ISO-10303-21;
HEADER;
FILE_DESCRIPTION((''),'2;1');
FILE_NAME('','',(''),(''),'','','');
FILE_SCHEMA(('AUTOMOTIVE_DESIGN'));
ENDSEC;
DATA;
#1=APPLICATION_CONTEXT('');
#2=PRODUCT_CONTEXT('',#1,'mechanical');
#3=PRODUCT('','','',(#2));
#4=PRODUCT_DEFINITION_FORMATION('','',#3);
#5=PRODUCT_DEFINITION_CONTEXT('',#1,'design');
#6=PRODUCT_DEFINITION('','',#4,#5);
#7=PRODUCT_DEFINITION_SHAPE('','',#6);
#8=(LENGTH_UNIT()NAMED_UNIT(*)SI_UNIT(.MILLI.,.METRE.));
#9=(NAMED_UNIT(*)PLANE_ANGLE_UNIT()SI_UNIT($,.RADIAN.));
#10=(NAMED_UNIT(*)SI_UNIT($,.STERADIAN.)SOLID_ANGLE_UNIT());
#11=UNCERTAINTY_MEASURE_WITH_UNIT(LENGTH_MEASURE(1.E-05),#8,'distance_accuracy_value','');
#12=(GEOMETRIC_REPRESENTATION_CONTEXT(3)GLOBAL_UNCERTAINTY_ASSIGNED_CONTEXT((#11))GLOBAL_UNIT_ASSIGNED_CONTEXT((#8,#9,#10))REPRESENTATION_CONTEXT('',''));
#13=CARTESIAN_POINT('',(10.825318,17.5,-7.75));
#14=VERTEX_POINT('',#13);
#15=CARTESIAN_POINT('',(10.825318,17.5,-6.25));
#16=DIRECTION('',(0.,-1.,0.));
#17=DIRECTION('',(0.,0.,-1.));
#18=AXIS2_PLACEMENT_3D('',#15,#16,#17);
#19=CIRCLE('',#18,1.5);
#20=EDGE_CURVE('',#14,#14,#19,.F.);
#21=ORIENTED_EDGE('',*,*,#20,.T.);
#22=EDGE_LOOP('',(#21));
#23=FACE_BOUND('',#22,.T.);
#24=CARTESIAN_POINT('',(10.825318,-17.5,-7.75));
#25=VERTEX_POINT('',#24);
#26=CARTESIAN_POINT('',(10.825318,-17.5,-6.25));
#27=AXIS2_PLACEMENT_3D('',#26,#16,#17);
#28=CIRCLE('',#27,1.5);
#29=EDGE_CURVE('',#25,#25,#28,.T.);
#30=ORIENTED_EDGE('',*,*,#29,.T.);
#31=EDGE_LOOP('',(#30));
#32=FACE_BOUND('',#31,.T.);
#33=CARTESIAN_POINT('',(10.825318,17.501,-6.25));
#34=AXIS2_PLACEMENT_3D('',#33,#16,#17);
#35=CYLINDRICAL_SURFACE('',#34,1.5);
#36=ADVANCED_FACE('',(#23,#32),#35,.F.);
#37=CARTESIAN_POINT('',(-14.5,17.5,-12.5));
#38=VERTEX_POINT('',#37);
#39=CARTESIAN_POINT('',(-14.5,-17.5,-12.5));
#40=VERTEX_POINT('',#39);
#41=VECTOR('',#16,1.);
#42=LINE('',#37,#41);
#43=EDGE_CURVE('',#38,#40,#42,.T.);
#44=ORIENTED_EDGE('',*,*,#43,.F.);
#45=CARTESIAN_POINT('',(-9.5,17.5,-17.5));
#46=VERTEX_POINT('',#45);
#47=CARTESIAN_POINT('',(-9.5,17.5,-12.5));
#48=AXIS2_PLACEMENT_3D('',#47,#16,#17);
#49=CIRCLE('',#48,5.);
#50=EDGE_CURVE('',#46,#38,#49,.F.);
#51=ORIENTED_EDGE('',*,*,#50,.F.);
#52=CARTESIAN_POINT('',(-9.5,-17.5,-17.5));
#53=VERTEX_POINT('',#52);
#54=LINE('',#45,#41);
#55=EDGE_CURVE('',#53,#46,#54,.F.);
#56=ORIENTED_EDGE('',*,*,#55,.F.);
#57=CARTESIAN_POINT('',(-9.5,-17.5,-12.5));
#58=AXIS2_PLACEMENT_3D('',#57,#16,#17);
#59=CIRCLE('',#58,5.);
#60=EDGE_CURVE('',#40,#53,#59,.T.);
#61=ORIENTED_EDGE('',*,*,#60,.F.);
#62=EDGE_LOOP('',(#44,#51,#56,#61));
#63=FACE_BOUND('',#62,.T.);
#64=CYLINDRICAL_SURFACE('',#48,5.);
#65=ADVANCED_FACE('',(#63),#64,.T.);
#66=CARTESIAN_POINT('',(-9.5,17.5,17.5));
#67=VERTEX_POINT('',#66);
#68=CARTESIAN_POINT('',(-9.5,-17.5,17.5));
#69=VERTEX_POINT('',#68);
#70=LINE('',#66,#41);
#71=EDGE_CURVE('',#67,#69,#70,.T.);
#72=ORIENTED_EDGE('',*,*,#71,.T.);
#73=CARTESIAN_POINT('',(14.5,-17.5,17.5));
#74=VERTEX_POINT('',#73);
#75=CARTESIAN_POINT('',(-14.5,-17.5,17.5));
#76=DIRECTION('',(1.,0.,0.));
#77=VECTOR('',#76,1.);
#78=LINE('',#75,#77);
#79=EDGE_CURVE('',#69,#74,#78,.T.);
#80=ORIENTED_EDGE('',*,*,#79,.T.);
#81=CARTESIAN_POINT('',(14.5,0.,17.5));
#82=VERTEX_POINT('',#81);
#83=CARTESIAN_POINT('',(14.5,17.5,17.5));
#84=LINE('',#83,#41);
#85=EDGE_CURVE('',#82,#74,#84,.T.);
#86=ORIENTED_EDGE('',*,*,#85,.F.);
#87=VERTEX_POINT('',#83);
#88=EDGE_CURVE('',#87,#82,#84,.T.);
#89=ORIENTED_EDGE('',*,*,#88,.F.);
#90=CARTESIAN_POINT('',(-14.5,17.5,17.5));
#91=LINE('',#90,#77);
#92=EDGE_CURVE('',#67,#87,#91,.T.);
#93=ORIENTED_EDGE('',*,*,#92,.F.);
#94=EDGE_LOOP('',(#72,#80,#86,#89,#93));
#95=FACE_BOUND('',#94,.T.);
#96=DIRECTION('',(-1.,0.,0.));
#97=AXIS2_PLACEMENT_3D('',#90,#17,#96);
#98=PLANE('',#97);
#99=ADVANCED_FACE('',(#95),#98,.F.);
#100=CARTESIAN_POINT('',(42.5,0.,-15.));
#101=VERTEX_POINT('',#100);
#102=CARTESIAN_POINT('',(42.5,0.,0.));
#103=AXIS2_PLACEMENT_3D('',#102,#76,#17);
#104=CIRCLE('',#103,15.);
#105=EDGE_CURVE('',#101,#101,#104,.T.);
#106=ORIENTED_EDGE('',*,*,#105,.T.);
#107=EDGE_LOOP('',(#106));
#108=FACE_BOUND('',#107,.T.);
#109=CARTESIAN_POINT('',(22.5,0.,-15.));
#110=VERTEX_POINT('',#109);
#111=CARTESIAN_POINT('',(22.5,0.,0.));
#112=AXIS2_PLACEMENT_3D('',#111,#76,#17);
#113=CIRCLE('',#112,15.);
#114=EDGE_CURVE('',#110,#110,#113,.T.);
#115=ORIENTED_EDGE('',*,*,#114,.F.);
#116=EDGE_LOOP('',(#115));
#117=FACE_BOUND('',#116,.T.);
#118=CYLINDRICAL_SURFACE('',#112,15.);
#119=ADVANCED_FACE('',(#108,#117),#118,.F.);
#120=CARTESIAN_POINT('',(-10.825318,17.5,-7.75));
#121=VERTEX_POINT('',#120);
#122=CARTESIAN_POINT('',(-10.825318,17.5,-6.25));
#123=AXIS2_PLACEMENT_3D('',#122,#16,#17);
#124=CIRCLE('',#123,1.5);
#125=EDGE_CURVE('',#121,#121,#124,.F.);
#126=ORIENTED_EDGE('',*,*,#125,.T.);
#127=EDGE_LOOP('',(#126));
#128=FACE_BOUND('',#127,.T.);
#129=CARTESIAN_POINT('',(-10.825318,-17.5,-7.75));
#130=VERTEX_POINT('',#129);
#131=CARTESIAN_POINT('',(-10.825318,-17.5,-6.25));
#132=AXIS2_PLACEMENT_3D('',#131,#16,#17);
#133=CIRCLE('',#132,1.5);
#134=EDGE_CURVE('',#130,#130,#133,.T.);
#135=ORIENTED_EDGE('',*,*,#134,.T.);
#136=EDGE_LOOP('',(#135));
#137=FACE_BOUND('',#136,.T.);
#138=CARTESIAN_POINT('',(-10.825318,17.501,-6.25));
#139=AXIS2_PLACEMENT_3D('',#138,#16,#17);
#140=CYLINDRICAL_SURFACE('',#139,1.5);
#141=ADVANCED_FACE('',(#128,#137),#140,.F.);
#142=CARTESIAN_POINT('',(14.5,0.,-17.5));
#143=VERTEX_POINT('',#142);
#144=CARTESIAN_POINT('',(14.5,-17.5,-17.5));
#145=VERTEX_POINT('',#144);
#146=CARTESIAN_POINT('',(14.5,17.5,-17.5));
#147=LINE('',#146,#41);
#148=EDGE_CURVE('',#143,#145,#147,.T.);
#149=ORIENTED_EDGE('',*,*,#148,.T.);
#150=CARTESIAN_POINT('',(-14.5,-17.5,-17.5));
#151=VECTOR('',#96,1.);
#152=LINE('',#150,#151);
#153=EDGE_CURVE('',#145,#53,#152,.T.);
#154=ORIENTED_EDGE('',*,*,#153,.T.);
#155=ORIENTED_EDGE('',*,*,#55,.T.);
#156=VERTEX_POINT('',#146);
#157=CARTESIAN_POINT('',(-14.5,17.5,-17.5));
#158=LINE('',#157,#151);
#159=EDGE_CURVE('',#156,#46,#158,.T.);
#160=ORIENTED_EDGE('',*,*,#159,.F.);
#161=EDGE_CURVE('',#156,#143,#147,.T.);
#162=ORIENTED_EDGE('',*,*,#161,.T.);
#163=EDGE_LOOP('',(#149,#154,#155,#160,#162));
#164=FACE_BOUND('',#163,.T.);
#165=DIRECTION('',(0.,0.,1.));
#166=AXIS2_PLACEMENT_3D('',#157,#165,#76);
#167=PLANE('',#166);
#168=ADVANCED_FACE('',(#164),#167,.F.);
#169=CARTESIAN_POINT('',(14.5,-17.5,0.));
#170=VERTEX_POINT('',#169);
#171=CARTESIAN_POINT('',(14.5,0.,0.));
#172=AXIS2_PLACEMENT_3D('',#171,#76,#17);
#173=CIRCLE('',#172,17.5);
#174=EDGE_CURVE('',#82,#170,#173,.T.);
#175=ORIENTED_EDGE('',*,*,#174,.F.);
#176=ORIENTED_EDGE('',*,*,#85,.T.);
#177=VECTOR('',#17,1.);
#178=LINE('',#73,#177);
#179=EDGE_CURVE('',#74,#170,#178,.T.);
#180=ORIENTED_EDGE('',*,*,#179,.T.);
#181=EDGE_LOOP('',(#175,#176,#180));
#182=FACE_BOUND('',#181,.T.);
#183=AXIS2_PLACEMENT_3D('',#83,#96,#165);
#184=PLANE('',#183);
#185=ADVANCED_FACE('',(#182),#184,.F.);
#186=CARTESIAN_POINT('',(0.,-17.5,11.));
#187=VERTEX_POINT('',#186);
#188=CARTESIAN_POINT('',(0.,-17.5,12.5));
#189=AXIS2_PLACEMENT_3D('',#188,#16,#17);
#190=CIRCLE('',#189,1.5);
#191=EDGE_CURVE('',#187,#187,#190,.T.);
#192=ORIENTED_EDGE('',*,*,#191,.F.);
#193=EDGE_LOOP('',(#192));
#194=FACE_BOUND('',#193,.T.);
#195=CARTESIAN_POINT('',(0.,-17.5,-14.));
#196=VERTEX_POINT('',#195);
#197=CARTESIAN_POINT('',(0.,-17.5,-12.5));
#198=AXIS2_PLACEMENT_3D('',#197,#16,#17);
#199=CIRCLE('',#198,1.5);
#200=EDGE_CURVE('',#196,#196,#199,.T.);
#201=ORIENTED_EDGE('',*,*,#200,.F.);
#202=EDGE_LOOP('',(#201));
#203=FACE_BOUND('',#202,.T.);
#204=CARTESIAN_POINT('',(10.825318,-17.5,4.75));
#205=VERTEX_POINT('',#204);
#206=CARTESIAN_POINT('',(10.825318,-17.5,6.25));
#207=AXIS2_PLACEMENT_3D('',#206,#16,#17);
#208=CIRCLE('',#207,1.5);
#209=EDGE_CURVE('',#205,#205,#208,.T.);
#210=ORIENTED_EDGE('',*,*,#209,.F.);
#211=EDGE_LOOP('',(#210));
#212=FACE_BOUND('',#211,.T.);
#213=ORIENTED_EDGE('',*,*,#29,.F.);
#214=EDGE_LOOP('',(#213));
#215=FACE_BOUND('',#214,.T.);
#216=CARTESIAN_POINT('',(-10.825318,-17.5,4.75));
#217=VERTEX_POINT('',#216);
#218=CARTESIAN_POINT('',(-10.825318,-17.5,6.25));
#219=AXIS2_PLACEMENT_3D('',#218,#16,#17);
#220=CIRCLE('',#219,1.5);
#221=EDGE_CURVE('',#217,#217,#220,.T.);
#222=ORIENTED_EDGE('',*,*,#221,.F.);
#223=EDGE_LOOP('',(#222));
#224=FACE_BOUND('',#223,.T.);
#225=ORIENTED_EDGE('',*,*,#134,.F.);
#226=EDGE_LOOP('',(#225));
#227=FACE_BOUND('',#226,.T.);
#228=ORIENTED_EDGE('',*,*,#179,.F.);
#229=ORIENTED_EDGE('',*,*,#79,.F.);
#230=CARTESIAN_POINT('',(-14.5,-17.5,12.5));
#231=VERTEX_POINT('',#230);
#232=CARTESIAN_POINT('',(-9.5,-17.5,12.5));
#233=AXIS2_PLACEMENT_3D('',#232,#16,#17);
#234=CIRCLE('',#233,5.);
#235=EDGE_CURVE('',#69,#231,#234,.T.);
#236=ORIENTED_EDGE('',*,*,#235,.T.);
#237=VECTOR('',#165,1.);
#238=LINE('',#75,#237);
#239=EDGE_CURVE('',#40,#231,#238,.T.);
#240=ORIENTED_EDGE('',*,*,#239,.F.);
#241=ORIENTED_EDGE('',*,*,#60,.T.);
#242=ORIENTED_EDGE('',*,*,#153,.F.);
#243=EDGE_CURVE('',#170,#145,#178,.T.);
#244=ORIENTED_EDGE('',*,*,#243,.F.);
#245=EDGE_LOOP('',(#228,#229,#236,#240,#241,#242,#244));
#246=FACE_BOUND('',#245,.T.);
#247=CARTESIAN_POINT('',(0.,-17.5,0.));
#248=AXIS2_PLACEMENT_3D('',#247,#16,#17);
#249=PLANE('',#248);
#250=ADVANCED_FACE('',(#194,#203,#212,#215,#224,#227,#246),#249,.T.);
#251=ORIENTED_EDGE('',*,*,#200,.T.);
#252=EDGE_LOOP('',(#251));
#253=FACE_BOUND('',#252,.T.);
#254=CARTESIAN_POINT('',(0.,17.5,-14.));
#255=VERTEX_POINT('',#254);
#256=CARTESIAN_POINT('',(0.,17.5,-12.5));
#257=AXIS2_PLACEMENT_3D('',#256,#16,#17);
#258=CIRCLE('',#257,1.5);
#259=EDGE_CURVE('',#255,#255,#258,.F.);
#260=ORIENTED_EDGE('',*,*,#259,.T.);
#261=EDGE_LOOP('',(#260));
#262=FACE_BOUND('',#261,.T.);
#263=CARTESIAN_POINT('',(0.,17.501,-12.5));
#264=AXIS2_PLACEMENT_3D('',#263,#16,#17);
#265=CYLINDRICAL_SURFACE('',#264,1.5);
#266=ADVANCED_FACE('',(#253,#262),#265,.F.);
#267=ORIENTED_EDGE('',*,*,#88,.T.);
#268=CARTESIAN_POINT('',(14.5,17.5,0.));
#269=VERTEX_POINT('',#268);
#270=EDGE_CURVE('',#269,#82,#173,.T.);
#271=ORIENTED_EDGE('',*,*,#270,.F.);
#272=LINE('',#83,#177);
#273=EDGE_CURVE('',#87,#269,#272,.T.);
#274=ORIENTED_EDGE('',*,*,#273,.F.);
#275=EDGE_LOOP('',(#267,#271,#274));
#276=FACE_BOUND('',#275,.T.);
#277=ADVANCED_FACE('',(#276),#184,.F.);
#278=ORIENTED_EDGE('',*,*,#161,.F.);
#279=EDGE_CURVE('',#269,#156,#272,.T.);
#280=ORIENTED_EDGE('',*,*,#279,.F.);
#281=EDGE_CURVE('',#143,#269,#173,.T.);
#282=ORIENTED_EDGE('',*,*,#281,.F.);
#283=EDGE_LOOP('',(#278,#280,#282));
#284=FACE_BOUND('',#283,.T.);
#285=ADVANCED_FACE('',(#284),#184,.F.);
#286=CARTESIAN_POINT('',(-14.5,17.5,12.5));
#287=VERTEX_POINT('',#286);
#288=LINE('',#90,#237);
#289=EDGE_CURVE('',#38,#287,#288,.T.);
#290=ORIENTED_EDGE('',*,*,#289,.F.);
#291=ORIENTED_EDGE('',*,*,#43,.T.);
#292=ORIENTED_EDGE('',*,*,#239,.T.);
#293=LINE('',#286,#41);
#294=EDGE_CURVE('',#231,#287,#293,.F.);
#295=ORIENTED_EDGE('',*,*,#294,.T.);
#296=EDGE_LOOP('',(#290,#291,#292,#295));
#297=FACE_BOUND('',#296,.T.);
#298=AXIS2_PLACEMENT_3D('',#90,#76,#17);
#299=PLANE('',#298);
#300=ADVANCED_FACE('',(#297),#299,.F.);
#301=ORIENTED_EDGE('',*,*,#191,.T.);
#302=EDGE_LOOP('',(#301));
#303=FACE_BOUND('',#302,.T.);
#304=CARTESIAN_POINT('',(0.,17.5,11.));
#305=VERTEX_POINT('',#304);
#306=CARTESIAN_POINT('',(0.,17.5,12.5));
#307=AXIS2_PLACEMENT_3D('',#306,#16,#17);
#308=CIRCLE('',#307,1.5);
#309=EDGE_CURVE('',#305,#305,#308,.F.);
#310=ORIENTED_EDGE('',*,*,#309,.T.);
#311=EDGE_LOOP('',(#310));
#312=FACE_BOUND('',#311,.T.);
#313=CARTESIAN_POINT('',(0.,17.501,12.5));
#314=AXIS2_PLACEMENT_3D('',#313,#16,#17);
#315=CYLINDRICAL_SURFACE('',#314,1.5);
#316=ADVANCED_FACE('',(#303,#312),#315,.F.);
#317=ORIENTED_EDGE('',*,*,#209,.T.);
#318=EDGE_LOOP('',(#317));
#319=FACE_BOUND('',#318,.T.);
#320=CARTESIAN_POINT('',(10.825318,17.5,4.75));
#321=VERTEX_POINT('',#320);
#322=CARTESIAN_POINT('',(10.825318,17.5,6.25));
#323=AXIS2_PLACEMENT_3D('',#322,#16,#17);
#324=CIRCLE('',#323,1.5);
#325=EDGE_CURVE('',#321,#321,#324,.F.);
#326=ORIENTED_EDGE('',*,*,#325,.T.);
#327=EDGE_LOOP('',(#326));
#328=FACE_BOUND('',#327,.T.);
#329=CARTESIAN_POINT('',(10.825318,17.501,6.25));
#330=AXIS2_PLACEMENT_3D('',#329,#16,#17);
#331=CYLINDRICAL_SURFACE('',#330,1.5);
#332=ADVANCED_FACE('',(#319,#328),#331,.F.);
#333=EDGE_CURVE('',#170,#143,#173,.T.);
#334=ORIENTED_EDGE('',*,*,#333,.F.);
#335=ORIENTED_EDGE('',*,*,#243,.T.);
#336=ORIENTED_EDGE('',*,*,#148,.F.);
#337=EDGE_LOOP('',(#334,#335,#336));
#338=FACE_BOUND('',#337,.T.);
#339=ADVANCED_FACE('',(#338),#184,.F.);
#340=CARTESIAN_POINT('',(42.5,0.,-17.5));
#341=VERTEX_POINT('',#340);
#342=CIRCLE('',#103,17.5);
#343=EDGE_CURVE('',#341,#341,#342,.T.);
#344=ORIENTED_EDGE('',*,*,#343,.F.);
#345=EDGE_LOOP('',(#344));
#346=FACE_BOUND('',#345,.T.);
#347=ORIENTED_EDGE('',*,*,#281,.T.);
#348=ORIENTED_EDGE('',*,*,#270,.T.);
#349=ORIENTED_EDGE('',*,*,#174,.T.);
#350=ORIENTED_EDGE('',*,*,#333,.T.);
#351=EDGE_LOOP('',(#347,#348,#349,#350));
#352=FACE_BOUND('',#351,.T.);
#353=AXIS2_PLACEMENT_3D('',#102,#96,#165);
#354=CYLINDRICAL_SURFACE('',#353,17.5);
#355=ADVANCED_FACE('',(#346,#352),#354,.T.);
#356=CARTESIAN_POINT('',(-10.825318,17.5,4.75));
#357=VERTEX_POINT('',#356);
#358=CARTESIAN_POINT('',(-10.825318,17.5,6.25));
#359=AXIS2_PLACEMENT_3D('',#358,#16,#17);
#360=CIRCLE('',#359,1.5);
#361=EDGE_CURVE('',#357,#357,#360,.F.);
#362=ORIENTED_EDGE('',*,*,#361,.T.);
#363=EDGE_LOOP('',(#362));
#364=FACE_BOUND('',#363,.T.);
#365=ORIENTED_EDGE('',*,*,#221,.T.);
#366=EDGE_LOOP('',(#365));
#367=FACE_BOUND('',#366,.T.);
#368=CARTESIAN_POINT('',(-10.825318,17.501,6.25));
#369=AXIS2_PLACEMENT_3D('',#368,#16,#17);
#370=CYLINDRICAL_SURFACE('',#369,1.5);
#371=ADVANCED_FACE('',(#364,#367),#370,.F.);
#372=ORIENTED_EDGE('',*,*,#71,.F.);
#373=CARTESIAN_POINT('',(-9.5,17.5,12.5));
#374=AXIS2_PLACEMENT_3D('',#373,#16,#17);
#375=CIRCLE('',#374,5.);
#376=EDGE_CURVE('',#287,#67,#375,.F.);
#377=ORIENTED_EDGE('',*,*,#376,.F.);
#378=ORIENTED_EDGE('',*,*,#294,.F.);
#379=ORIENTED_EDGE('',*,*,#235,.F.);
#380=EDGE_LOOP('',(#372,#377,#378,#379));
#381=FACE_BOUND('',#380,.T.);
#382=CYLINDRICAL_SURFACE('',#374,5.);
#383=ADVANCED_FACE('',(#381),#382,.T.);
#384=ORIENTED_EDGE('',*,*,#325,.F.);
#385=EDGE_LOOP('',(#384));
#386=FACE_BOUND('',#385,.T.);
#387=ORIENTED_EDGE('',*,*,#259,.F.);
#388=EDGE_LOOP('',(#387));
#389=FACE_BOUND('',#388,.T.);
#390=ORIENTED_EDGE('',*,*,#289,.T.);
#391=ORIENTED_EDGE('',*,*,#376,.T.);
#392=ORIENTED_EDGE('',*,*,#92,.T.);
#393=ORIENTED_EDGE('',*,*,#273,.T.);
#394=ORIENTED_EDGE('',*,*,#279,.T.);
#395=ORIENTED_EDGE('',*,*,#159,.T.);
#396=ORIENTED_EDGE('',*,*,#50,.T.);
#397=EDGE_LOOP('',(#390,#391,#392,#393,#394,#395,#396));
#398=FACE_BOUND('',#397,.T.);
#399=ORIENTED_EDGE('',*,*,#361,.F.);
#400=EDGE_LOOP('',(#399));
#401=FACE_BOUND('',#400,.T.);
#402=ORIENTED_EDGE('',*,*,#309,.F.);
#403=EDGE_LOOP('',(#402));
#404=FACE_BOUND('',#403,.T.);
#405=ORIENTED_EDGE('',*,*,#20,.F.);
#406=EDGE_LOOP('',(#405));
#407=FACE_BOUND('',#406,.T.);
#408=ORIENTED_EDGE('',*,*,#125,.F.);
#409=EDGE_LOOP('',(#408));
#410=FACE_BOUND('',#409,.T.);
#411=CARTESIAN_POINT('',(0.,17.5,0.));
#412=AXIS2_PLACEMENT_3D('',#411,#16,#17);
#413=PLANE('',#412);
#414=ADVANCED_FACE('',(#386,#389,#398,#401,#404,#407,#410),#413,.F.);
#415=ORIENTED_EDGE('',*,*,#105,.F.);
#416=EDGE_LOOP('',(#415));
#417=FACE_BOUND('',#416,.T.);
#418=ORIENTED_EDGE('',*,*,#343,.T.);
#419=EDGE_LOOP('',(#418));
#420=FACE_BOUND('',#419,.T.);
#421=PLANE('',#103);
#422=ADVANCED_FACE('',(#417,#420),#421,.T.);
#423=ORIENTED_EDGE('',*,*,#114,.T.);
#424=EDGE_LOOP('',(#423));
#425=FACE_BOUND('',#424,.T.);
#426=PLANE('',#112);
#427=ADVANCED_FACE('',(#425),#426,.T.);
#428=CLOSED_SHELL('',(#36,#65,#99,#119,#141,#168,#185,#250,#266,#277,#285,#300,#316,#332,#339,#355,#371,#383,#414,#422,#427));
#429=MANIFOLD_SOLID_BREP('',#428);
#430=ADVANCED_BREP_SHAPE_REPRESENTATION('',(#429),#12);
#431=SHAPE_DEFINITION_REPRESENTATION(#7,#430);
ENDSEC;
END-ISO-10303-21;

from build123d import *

# Parameters (mm, degrees)
SKETCH1_W           = 29
SKETCH1_H           = 35
BOSS_EXTRUDE1_DEPTH = 17.5
FILLET1_R           = 5
SKETCH2_R           = 17.5
BOSS_EXTRUDE2_DEPTH = 28
SKETCH3_R           = 15
CUT_EXTRUDE1_DEPTH  = 20
CUT_EXTRUDE2_REACH  = 59.771
SKETCH4_R           = 1.5


with BuildPart() as part:
    # Sketch1 → Boss-Extrude1 (new, symmetric)
    with BuildSketch(Plane(origin=(0, 0, 0), x_dir=(1, 0, 0), z_dir=(0, 1, 0))):
        Rectangle(SKETCH1_W, SKETCH1_H)
    extrude(amount=BOSS_EXTRUDE1_DEPTH, both=True)

    # Fillet1
    fillet1_edges = [part.edges().sort_by_distance(p)[0] for p in [
        (-14.5, 0, 17.5),
        (-14.5, 0, -17.5),
    ]]
    fillet(fillet1_edges, radius=FILLET1_R)

    # Sketch2 → Boss-Extrude2 (add)
    with BuildSketch(Plane(origin=(14.5, 0, 0), x_dir=(0, 0, -1), z_dir=(1, 0, 0))):
        Circle(SKETCH2_R)
    extrude(amount=BOSS_EXTRUDE2_DEPTH)

    # Sketch3 → Cut-Extrude1 (cut)
    with BuildSketch(Plane(origin=(42.5, 0, 0), x_dir=(0, 0, -1), z_dir=(1, 0, 0))):
        Circle(SKETCH3_R)
    extrude(amount=-CUT_EXTRUDE1_DEPTH, mode=Mode.SUBTRACT)

    # Sketch4 → Cut-Extrude2 (cut, up to next)
    with BuildSketch(Plane.XZ.offset(17.5), mode=Mode.PRIVATE) as cut_extrude2_sk1:
        with Locations(Location((0, 12.5, 0), (0, 0, 270))):
            Circle(SKETCH4_R)
    cut_extrude2_tool1 = extrude(cut_extrude2_sk1.sketch, amount=-CUT_EXTRUDE2_REACH, mode=Mode.PRIVATE) & part.part
    # Sketch4 → Cut-Extrude2 (cut, up to next)
    with BuildSketch(Plane.XZ.offset(17.5), mode=Mode.PRIVATE) as cut_extrude2_sk2:
        with Locations(Location((10.825317547, 6.25, 0), (0, 0, 270))):
            Circle(SKETCH4_R)
    cut_extrude2_tool2 = extrude(cut_extrude2_sk2.sketch, amount=-CUT_EXTRUDE2_REACH, mode=Mode.PRIVATE) & part.part
    # Sketch4 → Cut-Extrude2 (cut, up to next)
    with BuildSketch(Plane.XZ.offset(17.5), mode=Mode.PRIVATE) as cut_extrude2_sk3:
        with Locations(Location((10.825317547, -6.25, 0), (0, 0, 270))):
            Circle(SKETCH4_R)
    cut_extrude2_tool3 = extrude(cut_extrude2_sk3.sketch, amount=-CUT_EXTRUDE2_REACH, mode=Mode.PRIVATE) & part.part
    # Sketch4 → Cut-Extrude2 (cut, up to next)
    with BuildSketch(Plane.XZ.offset(17.5), mode=Mode.PRIVATE) as cut_extrude2_sk4:
        with Locations(Location((0, -12.5, 0), (0, 0, 270))):
            Circle(SKETCH4_R)
    cut_extrude2_tool4 = extrude(cut_extrude2_sk4.sketch, amount=-CUT_EXTRUDE2_REACH, mode=Mode.PRIVATE) & part.part
    # Sketch4 → Cut-Extrude2 (cut, up to next)
    with BuildSketch(Plane.XZ.offset(17.5), mode=Mode.PRIVATE) as cut_extrude2_sk5:
        with Locations(Location((-10.825317547, -6.25, 0), (0, 0, 270))):
            Circle(SKETCH4_R)
    cut_extrude2_tool5 = extrude(cut_extrude2_sk5.sketch, amount=-CUT_EXTRUDE2_REACH, mode=Mode.PRIVATE) & part.part
    # Sketch4 → Cut-Extrude2 (cut, up to next)
    with BuildSketch(Plane.XZ.offset(17.5), mode=Mode.PRIVATE) as cut_extrude2_sk6:
        with Locations(Location((-10.825317547, 6.25, 0), (0, 0, 270))):
            Circle(SKETCH4_R)
    cut_extrude2_tool6 = extrude(cut_extrude2_sk6.sketch, amount=-CUT_EXTRUDE2_REACH, mode=Mode.PRIVATE) & part.part
    add(cut_extrude2_tool1.solids().sort_by_distance((0, -17.5, 12.5))[0], mode=Mode.SUBTRACT)
    add(cut_extrude2_tool2.solids().sort_by_distance((10.825318, -17.5, 6.25))[0], mode=Mode.SUBTRACT)
    add(cut_extrude2_tool3.solids().sort_by_distance((10.825318, -17.5, -6.25))[0], mode=Mode.SUBTRACT)
    add(cut_extrude2_tool4.solids().sort_by_distance((0, -17.5, -12.5))[0], mode=Mode.SUBTRACT)
    add(cut_extrude2_tool5.solids().sort_by_distance((-10.825318, -17.5, -6.25))[0], mode=Mode.SUBTRACT)
    add(cut_extrude2_tool6.solids().sort_by_distance((-10.825318, -17.5, 6.25))[0], mode=Mode.SUBTRACT)


solid = part.part
